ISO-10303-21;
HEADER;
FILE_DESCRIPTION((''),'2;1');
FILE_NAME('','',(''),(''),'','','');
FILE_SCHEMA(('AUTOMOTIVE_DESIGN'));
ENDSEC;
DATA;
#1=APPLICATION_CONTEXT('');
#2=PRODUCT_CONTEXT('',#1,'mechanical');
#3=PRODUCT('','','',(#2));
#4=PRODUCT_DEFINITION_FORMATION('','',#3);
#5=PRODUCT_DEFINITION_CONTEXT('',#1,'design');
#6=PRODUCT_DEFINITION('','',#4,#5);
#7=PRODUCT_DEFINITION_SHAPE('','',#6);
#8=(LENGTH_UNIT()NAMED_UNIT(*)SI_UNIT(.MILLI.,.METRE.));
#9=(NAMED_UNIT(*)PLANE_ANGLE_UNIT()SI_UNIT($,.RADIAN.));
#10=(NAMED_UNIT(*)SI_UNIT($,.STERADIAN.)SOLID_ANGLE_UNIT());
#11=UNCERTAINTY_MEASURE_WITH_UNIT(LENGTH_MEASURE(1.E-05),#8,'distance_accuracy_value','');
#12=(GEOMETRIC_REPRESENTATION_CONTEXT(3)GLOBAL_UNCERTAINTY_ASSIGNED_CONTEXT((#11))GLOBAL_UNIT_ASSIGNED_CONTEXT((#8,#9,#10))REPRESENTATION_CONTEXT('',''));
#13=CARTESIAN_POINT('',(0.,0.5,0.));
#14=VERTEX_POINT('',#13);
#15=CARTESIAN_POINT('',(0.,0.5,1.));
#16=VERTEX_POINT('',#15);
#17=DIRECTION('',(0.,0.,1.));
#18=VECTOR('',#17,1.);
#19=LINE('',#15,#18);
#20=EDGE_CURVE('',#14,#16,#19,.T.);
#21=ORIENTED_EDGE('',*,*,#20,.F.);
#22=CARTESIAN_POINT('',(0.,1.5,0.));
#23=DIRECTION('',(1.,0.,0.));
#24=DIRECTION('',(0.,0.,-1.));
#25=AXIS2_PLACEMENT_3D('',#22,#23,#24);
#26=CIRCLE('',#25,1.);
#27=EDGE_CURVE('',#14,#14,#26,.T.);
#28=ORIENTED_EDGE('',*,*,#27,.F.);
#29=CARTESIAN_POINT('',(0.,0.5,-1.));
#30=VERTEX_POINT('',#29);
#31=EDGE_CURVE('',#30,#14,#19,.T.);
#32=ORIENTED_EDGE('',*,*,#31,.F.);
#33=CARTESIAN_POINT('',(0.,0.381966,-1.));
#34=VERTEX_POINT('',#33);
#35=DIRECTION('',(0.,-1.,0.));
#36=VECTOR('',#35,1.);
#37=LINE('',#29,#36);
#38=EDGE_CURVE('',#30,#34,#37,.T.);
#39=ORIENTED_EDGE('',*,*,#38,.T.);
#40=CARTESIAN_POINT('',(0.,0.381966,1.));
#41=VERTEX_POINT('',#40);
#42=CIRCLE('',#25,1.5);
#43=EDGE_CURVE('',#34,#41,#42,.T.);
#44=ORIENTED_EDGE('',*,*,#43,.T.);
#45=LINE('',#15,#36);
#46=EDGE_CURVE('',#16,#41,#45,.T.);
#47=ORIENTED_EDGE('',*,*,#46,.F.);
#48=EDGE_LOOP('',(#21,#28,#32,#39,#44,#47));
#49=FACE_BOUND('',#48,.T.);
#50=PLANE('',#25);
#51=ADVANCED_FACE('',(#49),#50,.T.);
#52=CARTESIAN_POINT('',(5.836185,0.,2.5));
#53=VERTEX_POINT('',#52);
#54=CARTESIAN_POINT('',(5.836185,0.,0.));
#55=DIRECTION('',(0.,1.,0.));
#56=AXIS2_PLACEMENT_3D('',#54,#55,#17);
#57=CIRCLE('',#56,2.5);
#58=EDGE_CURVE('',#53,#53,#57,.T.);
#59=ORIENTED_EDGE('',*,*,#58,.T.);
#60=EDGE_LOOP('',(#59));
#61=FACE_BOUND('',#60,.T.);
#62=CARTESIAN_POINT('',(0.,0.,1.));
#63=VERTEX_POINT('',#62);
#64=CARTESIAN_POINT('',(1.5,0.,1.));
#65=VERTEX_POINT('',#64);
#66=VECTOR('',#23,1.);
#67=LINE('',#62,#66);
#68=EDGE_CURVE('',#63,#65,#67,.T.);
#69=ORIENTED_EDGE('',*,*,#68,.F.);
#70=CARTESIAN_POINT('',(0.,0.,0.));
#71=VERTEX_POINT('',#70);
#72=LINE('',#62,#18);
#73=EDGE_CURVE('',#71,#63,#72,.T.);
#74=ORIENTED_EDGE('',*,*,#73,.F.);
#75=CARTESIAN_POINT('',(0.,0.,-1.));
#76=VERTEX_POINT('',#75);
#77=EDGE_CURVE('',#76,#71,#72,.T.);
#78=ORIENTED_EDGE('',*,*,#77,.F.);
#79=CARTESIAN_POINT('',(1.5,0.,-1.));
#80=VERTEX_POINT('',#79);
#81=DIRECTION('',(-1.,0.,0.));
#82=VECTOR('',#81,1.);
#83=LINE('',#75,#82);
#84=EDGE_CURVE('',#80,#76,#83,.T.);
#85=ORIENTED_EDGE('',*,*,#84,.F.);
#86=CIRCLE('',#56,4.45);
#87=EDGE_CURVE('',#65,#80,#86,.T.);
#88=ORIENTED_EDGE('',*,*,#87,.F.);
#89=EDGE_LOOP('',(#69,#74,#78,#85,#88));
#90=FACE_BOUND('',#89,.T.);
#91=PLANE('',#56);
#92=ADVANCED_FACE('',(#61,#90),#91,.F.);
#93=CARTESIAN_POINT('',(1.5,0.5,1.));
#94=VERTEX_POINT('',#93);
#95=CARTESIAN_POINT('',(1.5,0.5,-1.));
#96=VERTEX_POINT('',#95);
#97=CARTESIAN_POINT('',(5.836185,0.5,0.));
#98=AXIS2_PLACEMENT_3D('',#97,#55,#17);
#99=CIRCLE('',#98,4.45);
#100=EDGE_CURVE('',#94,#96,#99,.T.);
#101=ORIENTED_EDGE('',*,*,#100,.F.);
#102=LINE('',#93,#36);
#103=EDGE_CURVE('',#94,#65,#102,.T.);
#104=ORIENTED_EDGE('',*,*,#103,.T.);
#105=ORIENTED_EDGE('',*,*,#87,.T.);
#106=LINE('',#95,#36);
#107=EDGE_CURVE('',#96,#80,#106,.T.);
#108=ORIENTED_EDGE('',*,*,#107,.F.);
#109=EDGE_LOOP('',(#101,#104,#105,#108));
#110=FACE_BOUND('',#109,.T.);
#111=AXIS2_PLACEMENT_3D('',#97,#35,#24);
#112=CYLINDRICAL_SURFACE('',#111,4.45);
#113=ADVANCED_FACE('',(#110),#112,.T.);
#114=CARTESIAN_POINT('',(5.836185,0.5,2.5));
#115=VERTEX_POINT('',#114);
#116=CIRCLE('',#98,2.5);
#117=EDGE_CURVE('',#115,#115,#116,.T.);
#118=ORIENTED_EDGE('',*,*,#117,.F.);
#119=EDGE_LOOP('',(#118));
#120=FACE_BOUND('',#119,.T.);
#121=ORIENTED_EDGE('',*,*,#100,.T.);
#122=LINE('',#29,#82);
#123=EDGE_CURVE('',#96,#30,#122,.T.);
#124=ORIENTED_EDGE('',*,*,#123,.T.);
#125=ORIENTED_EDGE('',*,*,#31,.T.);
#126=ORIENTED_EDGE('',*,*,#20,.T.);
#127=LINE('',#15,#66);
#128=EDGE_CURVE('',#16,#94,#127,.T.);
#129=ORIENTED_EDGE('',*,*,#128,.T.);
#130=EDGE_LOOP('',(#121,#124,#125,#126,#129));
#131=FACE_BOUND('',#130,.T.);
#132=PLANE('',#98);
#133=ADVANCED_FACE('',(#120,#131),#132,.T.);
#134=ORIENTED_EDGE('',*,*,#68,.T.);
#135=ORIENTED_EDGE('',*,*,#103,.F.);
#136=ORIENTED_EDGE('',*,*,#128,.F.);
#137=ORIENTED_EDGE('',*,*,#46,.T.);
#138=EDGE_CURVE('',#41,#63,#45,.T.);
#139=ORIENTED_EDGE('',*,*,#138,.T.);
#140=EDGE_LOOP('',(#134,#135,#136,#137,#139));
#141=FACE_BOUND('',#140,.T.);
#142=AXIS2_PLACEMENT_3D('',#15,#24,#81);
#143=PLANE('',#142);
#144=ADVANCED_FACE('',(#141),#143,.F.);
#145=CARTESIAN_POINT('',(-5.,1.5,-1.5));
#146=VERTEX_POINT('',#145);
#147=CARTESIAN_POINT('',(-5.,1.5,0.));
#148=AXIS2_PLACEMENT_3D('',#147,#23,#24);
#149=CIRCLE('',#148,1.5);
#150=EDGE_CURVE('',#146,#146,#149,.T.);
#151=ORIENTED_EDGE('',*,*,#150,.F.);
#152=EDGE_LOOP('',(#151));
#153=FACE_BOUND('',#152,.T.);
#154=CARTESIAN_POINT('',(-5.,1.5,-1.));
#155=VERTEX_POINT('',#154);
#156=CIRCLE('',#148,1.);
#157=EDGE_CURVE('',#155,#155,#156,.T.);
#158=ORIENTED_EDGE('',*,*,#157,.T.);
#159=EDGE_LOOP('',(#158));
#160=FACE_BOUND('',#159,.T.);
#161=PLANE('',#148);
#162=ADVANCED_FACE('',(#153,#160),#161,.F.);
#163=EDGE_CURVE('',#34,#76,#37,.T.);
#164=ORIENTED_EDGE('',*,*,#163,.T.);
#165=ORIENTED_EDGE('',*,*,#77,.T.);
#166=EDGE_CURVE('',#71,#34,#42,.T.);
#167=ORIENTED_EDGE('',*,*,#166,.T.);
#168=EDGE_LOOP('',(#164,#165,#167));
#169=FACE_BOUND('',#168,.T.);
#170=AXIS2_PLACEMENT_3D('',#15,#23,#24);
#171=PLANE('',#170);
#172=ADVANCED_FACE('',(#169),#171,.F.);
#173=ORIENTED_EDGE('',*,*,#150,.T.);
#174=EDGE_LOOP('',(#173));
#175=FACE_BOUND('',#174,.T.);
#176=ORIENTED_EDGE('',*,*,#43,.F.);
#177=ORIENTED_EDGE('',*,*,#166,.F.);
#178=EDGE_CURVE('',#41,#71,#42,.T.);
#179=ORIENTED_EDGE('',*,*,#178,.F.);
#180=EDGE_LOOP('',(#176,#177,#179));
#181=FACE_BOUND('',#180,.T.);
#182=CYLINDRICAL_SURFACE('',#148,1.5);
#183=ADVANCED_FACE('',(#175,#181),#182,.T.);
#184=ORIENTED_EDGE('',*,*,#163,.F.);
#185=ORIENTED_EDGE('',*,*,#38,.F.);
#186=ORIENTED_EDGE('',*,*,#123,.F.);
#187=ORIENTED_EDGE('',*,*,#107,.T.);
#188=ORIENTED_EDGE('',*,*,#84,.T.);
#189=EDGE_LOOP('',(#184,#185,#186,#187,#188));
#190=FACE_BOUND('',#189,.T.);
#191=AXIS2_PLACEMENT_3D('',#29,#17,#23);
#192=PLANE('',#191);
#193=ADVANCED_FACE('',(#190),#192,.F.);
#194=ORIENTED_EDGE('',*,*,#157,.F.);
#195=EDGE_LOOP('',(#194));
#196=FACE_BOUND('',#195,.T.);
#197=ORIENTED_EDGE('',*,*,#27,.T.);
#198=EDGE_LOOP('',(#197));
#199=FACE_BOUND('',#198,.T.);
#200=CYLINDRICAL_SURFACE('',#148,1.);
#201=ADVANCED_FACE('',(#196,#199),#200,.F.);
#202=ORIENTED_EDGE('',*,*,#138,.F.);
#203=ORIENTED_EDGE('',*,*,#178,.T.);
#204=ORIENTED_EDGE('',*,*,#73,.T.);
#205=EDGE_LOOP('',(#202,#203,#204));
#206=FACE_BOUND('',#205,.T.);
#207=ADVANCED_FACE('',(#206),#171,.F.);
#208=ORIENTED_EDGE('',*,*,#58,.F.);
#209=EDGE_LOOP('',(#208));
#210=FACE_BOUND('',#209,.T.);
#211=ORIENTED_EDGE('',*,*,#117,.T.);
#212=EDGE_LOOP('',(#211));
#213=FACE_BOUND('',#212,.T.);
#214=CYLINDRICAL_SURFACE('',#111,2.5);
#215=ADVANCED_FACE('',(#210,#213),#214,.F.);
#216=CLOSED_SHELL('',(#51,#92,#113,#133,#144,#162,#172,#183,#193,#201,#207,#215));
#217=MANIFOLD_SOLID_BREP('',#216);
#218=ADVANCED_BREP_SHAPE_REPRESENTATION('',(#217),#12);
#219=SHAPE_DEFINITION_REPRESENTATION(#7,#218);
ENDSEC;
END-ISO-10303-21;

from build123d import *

# Parameters (mm, degrees)
SKETCH1_R           = 2.5
BOSS_EXTRUDE1_DEPTH = 0.5
SKETCH2_R           = 1.5
SKETCH2_R_2         = 1
BOSS_EXTRUDE2_DEPTH = 5


with BuildPart() as part:
    # Sketch1 → Boss-Extrude1 (new body)
    with BuildSketch(Plane(origin=(0, 0, 0), x_dir=(1, 0, 0), z_dir=(0, 1, 0))):
        with BuildLine():
            Line((0, -1), (0, 1))
            Line((0, 1), (1.5, 1))
            ThreePointArc((1.5, 1), (10.286184959, 0), (1.5, -1))
            Line((1.5, -1), (0, -1))
        make_face()
        with Locations((5.836184959, 0)):
            Circle(SKETCH1_R, mode=Mode.SUBTRACT)
    extrude(amount=BOSS_EXTRUDE1_DEPTH)

    # Sketch2 → Boss-Extrude2 (add)
    with BuildSketch(Plane(origin=(0, 0, 0), x_dir=(0, 0, -1), z_dir=(1, 0, 0))):
        with Locations((0, 1.5)):
            Circle(SKETCH2_R)
        with Locations((0, 1.5)):
            Circle(SKETCH2_R_2, mode=Mode.SUBTRACT)
    extrude(amount=-BOSS_EXTRUDE2_DEPTH)


solid = part.part
